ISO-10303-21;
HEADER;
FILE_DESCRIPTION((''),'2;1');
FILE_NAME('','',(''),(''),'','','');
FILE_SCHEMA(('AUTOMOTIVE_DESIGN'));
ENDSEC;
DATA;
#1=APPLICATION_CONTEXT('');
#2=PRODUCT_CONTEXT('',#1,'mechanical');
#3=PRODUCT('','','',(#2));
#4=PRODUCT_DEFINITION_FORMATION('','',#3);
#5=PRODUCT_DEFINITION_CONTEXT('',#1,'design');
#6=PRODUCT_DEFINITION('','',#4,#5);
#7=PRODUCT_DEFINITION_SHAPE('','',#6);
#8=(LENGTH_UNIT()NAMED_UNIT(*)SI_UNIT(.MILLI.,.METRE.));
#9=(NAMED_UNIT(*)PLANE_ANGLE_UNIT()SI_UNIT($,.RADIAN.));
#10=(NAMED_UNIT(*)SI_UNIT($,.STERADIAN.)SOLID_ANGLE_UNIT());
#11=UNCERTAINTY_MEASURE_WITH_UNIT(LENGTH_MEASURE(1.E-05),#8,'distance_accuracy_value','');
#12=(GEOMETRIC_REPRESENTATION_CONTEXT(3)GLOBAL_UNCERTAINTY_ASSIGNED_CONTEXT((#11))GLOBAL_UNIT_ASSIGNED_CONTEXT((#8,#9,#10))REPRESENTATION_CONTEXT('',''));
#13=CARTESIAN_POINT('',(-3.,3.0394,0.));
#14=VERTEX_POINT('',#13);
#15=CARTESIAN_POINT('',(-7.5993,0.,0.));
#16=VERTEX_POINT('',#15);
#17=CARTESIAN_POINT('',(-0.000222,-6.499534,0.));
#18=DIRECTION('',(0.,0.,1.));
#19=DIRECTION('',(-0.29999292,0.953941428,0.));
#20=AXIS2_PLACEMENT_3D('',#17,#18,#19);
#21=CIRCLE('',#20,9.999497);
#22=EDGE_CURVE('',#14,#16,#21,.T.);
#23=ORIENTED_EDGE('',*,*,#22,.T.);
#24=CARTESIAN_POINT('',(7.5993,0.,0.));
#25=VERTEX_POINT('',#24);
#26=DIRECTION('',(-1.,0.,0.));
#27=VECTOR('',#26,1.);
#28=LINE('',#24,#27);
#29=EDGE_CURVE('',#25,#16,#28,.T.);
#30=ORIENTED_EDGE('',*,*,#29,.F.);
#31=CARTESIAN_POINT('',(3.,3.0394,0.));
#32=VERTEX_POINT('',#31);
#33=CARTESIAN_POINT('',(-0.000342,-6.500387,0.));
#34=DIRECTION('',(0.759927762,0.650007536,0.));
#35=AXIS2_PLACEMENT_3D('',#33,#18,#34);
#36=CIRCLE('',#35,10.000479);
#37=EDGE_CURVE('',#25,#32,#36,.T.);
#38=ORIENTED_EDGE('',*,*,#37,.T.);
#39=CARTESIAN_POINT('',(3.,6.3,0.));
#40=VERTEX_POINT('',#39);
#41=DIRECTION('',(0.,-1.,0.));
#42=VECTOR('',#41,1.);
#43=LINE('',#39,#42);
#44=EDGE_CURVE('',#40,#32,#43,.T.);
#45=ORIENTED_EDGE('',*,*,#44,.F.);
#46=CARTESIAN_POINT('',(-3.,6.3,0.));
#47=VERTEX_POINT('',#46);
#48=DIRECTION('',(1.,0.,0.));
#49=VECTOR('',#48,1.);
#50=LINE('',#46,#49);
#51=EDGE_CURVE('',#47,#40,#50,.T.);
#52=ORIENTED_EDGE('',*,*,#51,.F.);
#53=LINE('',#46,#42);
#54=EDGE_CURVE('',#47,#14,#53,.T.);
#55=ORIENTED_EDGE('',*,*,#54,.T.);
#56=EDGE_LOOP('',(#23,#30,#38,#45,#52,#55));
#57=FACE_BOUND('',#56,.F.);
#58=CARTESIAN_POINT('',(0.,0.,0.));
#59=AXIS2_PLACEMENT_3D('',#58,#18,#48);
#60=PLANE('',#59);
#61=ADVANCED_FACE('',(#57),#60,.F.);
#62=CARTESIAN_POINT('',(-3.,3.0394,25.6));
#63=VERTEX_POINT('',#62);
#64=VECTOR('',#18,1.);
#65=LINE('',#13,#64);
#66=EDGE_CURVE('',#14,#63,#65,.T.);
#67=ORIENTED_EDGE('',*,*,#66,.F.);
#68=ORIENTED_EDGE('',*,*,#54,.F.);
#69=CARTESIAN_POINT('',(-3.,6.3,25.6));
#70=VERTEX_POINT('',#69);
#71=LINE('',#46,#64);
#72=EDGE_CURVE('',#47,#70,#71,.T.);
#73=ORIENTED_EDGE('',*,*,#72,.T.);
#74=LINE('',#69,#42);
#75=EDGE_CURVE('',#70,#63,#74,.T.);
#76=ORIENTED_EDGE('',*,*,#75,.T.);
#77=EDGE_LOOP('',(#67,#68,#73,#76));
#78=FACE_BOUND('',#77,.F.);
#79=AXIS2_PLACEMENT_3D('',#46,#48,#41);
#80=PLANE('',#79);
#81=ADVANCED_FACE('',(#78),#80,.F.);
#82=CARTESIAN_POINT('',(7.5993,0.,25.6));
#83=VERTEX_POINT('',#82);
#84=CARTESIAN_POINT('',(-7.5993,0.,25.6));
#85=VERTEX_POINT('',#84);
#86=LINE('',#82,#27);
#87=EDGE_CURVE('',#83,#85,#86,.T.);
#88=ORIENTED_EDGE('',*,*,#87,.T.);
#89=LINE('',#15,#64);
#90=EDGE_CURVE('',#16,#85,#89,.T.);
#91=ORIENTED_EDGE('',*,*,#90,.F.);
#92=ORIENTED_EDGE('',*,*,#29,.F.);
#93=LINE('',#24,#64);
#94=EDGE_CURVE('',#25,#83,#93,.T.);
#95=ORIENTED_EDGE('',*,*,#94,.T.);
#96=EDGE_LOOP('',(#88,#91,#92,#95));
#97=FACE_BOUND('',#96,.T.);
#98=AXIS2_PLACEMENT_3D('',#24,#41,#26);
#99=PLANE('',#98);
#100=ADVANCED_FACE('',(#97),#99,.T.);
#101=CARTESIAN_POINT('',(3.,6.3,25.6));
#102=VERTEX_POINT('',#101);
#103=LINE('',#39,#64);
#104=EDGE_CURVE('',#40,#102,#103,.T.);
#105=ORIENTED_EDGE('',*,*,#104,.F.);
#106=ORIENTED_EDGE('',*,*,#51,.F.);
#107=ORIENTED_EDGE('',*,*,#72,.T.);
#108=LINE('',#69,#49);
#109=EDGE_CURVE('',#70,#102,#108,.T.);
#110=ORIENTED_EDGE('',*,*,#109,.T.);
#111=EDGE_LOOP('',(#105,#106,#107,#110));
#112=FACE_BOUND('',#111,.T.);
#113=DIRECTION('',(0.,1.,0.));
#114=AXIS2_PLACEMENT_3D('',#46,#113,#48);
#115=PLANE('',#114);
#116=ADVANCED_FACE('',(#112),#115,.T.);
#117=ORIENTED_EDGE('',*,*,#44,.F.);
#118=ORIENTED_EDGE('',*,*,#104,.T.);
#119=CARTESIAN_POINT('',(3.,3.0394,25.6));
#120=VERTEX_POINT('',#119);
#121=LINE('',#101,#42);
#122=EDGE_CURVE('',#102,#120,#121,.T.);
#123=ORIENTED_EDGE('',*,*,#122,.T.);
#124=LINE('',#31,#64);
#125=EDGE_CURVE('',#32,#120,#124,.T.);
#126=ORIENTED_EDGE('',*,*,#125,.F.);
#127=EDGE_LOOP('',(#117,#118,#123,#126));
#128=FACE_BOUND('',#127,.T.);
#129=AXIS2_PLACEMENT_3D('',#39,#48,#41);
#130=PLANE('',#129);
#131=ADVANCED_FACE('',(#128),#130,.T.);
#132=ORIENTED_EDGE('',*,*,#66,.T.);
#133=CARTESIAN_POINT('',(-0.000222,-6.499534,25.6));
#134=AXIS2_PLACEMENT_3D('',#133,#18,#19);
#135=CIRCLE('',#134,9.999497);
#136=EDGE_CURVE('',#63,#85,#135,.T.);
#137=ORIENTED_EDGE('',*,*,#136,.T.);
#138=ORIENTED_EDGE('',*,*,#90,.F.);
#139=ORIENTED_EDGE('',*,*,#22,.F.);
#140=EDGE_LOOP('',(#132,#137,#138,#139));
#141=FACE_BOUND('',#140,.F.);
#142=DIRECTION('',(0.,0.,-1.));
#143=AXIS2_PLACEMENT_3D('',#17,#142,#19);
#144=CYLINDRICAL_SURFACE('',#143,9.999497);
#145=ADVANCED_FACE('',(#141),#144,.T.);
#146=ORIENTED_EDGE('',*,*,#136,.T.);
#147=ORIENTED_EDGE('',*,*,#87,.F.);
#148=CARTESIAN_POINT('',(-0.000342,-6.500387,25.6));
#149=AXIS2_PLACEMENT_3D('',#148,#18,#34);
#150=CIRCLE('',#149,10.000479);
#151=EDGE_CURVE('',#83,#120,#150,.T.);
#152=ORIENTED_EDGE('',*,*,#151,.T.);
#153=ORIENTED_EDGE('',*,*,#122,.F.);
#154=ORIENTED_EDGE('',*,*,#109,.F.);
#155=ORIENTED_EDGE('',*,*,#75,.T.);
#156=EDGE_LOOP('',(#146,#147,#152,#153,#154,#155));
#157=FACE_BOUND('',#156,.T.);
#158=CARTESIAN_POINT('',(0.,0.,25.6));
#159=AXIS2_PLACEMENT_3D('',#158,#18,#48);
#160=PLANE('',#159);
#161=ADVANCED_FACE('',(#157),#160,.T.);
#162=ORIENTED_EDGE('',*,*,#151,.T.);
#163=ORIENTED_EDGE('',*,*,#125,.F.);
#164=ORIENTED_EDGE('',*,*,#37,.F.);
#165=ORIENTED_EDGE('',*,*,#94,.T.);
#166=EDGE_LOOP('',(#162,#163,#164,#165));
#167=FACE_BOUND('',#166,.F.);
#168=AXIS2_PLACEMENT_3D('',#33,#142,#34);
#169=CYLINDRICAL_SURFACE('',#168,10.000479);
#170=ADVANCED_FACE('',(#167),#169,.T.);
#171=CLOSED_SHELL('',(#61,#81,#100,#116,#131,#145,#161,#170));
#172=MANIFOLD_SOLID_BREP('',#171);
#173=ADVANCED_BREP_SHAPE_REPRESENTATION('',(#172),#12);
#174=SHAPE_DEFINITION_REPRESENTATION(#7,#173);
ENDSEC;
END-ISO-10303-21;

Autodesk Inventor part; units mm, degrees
ref_plane "YZ Plane" through (0, 0, 0) normal (1, 0, 0) x (0, 1, 0)
ref_plane "XZ Plane" through (0, 0, 0) normal (0, 1, 0) x (-1, 0, 0)
ref_plane "XY Plane" through (0, 0, 0) normal (0, 0, 1) x (1, 0, 0)
sketch "Skizze1" plane through (0, 0, 0) normal (0, 0, 1) x (1, 0, 0)
  line L0 (0, 0) -> (0, 6.3) construction
  line L1 (-3, 6.3) -> (3, 6.3)
  circle A0 centre (0, -6.5) radius 10 construction
  line L2 (3, 6.3) -> (3, 3.0394)
  line L3 (7.5993, 0) -> (-7.5993, 0)
  line L4 (-3, 6.3) -> (-3, 3.0394)
  line L5 (-3, 3.0394) -> (3, 3.0394) construction
  arc A1 (-3, 3.0394) -> (-7.5993, 0) centre (0, -6.5) ccw
  arc A2 (7.5993, 0) -> (3, 3.0394) centre (0, -6.5) ccw
  point P0 (0, 3.5)
  dimension "d0" = 20
  dimension "d1" = 2.8
  dimension "d2" = 3.5
  dimension "d3" = 6
extrude "Extrusion1" add sketch "Skizze1" along normal blind 25.6
equation "\"d0\" = D"
equation "\"d1\" = Nabennuttiefe_20"
equation "\"d2\" = Wellennuttiefe_20"
equation "\"d3\" = Passfeder_Width_20"
equation "\"Passfeder_Width_20\" = 6"
equation "\"Nabennuttiefe_20\" = 2.8"
equation "\"Wellennuttiefe_20\" = 3.5"
properties part number "Flansch_Flachstelle"
